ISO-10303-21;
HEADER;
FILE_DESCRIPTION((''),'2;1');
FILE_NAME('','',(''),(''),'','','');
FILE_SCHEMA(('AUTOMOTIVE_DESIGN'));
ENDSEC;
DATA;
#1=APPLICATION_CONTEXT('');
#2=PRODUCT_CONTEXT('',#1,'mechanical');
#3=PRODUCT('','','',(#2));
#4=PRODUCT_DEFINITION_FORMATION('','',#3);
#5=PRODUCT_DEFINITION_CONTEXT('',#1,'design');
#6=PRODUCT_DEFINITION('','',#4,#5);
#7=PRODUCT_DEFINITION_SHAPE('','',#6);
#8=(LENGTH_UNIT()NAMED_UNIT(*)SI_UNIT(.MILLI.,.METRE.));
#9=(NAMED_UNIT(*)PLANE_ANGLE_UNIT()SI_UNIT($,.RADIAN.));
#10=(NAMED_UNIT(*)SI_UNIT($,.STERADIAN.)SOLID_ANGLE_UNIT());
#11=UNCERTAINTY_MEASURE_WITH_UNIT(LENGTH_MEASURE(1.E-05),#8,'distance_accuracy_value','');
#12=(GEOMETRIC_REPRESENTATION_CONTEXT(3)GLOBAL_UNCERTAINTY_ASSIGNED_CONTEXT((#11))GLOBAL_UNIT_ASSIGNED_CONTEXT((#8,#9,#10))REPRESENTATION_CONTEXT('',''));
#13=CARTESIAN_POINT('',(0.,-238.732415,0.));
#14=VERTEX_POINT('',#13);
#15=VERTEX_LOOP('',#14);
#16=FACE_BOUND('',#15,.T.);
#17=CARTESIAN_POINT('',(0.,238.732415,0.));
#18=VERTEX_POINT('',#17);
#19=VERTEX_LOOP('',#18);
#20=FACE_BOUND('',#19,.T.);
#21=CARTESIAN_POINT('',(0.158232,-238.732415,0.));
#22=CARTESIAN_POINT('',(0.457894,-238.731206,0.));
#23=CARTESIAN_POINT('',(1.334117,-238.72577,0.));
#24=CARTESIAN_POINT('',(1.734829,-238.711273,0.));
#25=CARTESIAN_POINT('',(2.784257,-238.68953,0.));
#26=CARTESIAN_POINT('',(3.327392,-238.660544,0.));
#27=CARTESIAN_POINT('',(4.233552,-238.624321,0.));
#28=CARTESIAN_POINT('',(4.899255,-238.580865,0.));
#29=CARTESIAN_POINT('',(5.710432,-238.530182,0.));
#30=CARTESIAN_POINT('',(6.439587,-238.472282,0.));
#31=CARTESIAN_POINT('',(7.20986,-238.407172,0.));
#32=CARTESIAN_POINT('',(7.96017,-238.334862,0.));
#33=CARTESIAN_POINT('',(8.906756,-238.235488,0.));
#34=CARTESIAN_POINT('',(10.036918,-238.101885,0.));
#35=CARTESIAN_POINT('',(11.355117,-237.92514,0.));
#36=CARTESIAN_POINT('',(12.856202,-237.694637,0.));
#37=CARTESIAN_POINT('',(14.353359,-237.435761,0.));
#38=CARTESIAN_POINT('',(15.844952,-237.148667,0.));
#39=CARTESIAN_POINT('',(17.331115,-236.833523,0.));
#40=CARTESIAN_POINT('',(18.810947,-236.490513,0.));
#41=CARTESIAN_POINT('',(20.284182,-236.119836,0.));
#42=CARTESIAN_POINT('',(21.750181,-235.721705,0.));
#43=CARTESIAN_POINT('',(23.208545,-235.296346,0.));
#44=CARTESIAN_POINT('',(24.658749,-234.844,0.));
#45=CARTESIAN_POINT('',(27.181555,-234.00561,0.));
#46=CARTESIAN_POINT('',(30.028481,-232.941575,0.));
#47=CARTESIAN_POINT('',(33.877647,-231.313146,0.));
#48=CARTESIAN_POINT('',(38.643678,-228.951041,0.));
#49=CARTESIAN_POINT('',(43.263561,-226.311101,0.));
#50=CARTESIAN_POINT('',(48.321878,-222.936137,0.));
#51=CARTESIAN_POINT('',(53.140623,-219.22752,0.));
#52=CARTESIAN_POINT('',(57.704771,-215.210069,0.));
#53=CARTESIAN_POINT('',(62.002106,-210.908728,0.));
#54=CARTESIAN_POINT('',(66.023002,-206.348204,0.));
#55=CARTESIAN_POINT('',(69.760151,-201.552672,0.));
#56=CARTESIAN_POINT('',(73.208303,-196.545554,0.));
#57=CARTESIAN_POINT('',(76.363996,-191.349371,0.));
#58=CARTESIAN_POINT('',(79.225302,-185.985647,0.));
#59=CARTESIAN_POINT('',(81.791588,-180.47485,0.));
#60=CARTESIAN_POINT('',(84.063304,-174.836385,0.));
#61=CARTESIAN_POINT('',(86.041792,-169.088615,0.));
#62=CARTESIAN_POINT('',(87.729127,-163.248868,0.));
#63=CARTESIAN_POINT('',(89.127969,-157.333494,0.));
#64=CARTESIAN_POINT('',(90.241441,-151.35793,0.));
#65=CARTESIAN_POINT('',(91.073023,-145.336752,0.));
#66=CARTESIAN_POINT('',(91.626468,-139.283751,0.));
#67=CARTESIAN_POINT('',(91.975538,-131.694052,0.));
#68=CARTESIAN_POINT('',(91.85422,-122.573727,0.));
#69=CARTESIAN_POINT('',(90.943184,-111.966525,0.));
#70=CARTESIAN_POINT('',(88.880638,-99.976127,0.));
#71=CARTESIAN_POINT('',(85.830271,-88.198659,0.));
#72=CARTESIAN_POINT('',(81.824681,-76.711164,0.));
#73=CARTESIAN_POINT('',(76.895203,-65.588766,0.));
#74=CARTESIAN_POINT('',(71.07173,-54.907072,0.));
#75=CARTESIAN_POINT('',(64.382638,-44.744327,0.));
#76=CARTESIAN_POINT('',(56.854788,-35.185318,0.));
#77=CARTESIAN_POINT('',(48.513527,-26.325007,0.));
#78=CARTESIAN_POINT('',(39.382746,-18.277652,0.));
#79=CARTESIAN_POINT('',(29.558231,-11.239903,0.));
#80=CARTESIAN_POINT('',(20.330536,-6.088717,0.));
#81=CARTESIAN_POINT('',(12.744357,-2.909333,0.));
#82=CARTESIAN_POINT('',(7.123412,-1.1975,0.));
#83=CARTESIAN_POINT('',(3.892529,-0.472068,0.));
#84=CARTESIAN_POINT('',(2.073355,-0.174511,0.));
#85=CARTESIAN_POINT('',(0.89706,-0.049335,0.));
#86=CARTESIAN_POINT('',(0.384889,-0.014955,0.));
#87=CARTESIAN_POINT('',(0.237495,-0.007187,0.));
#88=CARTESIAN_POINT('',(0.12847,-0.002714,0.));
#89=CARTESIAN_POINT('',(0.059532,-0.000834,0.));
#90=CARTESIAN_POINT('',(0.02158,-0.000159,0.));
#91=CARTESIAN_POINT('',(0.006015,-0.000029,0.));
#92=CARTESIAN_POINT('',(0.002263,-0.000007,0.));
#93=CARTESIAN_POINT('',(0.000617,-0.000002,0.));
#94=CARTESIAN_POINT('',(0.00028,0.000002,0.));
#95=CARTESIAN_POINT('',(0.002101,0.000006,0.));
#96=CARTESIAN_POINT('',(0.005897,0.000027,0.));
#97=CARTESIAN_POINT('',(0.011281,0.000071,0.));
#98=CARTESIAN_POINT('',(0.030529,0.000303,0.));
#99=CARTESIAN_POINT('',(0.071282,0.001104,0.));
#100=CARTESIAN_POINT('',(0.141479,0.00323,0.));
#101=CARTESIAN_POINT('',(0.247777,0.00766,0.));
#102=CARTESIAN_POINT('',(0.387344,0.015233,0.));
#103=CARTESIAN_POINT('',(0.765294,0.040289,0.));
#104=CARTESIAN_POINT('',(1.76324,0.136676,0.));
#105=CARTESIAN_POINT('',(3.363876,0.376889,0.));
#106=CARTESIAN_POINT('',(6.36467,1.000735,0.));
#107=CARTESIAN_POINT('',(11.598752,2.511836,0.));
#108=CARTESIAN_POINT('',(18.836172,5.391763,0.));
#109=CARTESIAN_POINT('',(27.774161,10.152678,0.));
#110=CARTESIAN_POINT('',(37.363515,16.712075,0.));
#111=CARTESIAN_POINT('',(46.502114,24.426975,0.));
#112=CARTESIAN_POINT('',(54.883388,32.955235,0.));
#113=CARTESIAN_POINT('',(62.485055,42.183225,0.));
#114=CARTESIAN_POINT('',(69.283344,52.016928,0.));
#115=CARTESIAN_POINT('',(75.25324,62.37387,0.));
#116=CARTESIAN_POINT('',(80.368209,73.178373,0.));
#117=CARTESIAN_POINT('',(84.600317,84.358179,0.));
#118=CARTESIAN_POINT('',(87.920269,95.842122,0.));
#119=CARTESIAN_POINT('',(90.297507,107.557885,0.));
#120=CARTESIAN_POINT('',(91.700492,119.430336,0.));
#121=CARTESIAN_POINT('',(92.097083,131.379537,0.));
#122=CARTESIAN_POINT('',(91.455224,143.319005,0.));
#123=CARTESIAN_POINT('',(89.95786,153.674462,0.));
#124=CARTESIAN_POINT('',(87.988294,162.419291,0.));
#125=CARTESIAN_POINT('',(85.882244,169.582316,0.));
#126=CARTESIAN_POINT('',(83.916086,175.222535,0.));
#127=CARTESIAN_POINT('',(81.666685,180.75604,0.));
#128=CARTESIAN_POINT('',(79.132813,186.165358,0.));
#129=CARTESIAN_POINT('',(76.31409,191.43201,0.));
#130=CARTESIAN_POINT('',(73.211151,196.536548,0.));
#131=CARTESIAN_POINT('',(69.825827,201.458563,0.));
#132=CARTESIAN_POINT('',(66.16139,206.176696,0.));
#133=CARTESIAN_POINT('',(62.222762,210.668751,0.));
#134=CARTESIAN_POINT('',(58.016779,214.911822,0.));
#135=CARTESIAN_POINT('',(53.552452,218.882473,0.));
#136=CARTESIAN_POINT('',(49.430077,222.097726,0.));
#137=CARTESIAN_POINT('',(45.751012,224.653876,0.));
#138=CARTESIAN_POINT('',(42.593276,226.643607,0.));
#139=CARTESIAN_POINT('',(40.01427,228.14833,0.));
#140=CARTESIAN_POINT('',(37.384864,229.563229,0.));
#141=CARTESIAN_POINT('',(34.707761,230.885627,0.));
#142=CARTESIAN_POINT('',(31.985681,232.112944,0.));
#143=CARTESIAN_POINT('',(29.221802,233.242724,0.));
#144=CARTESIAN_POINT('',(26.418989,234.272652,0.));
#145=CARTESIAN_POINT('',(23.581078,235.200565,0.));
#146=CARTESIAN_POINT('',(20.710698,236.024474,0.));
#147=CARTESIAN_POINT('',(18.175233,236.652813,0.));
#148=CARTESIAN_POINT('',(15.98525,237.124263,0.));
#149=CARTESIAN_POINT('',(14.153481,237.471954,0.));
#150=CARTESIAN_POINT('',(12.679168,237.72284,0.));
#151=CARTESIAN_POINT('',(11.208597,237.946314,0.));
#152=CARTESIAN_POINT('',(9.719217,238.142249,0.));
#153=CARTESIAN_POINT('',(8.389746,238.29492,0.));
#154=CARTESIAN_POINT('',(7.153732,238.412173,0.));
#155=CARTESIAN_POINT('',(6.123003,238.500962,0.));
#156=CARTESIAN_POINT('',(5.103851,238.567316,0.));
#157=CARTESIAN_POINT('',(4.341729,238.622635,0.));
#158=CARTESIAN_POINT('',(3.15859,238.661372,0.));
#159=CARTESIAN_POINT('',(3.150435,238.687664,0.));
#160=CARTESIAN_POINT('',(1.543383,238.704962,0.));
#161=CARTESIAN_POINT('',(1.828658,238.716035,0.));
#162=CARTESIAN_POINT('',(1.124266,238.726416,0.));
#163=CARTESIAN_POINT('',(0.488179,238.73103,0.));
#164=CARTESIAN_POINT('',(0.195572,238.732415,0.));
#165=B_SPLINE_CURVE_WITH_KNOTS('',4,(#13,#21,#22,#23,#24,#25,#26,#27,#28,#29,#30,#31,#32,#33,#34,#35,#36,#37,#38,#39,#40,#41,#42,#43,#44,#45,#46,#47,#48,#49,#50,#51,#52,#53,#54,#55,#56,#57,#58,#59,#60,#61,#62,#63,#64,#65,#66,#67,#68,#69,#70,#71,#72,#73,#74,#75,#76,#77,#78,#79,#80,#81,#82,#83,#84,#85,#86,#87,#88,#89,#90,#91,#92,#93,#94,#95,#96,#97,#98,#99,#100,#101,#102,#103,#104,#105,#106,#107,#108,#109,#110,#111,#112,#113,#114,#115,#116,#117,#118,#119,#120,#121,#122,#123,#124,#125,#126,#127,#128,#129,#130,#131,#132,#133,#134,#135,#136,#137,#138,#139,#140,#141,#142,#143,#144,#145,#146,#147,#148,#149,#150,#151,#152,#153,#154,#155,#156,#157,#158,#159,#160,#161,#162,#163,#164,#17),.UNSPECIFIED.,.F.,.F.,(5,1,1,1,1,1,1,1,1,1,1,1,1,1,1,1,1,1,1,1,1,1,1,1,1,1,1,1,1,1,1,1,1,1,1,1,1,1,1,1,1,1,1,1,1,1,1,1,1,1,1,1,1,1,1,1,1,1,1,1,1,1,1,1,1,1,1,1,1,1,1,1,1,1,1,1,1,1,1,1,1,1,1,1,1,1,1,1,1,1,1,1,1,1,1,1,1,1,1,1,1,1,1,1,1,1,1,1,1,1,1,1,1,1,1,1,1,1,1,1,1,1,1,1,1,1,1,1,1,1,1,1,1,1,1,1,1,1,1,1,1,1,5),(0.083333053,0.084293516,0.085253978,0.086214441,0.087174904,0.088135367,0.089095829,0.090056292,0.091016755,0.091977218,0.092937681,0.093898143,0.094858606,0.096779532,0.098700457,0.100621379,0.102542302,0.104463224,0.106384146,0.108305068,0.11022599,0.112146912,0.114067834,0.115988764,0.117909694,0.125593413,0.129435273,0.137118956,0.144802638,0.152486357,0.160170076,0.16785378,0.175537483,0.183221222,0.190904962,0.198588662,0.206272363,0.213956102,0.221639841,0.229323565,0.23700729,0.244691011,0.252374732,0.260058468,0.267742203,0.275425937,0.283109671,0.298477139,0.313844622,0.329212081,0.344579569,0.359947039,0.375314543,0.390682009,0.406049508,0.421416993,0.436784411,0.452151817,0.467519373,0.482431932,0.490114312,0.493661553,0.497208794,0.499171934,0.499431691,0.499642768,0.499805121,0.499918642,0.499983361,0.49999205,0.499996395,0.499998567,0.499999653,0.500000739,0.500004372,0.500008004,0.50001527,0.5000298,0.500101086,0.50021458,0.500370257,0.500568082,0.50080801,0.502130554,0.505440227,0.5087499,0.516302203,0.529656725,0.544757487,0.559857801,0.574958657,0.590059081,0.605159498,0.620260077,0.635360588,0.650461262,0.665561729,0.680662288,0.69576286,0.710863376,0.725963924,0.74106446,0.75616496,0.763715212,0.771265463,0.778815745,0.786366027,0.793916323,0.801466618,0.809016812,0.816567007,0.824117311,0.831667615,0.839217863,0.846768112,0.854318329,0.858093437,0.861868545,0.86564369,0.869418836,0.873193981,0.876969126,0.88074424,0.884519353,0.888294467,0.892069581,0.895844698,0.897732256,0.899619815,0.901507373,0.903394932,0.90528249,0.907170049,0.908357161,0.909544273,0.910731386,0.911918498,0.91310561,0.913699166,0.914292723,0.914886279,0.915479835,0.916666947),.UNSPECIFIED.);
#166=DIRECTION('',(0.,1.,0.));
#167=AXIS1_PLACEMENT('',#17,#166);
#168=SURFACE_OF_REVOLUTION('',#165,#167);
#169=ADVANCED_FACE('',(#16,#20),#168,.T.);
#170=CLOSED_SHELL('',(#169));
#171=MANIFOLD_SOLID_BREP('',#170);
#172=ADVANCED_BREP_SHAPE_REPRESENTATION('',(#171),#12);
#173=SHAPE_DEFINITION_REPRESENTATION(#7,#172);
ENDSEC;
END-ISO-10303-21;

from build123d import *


with BuildPart() as part:
    # Sketch → Revolve 2 (revolve)
    with BuildSketch(Plane.XY):
        with BuildLine():
            Line((0, -238.732414638), (0, 238.732414638))
            add(Edge.make_bspline(
                [(0, -238.732414638), (0.158232077, -238.732414638), (0.457894285, -238.731206454), (1.334117241, -238.725769625), (1.734828689, -238.711272515), (2.784257101, -238.689529601), (3.327391603, -238.660544182), (4.233552235, -238.624320653), (4.899254924, -238.580864502), (5.710431999, -238.530182308), (6.439587273, -238.472281735), (7.209860068, -238.407171527), (7.960170326, -238.334861506), (8.906756192, -238.235487824), (10.036917619, -238.101885459), (11.35511682, -237.925140188), (12.856201705, -237.694636601), (14.35335864, -237.435761168), (15.844951617, -237.148667084), (17.331115392, -236.833522986), (18.810947316, -236.49051295), (20.284181817, -236.119835734), (21.750180597, -235.721704634), (23.208545184, -235.296346025), (24.658748895, -234.844000473), (27.181554623, -234.005610229), (30.028480641, -232.941574968), (33.877647352, -231.313146468), (38.643678262, -228.951040666), (43.263561166, -226.311100964), (48.321877745, -222.936136953), (53.140623494, -219.227520162), (57.704770636, -215.210068516), (62.002106448, -210.908728408), (66.023002229, -206.34820432), (69.760150606, -201.55267159), (73.208302609, -196.545553623), (76.363996406, -191.349371223), (79.225302096, -185.985647266), (81.791587919, -180.474849778), (84.063303795, -174.836385458), (86.041791902, -169.088614521), (87.729126693, -163.24886785), (89.12796924, -157.333494347), (90.241441271, -151.357929953), (91.07302349, -145.336752282), (91.626467605, -139.28375109), (91.975538229, -131.694052432), (91.854220286, -122.57372715), (90.94318358, -111.966525473), (88.880638241, -99.976126526), (85.830270711, -88.198658823), (81.824681155, -76.711163807), (76.895202809, -65.588766025), (71.071730211, -54.907072226), (64.382638242, -44.744327002), (56.854788086, -35.185318162), (48.513526697, -26.325007127), (39.382746375, -18.27765176), (29.558231014, -11.239903165), (20.330535609, -6.088717432), (12.744356959, -2.909332584), (7.123412248, -1.197500191), (3.89252896, -0.472067618), (2.073354847, -0.174511201), (0.897060134, -0.049334904), (0.384889492, -0.01495543), (0.237494877, -0.007187224), (0.128470358, -0.002714026), (0.05953241, -0.000834124), (0.021580243, -0.000158546), (0.006014563, -2.8815e-05), (0.002263326, -7.099e-06), (0.000617382, -2.078e-06), (0.000279755, 1.504e-06), (0.002101495, 6.27e-06), (0.005896718, 2.6536e-05), (0.011280533, 7.1356e-05), (0.03052891, 0.000303178), (0.07128192, 0.001104008), (0.141479089, 0.003230096), (0.24777748, 0.007660446), (0.387344121, 0.015233331), (0.765293896, 0.040289232), (1.763239686, 0.136675824), (3.363876167, 0.376889225), (6.364669635, 1.000735296), (11.598751558, 2.511836497), (18.836172109, 5.391762543), (27.774160676, 10.152677885), (37.363515, 16.712075114), (46.502114439, 24.426974972), (54.883388299, 32.95523492), (62.485054599, 42.183225458), (69.283344343, 52.016928437), (75.253240179, 62.373869961), (80.368208592, 73.178372549), (84.600317133, 84.358179263), (87.920268821, 95.842121808), (90.297507074, 107.55788476), (91.700492456, 119.43033589), (92.097083128, 131.379537209), (91.455224234, 143.319005121), (89.957859881, 153.674462156), (87.988294388, 162.41929114), (85.882244431, 169.582315917), (83.916086078, 175.222534781), (81.666685245, 180.756040038), (79.13281253, 186.165357552), (76.314090208, 191.432009653), (73.211150775, 196.53654793), (69.825827462, 201.458562748), (66.161389924, 206.176695653), (62.222761953, 210.668751131), (58.016778902, 214.911821756), (53.552452266, 218.882473277), (49.430077295, 222.097725623), (45.751011746, 224.653876321), (42.59327587, 226.643607308), (40.014270283, 228.148330474), (37.384863679, 229.563229389), (34.707761211, 230.885627234), (31.985680912, 232.112943585), (29.221802141, 233.242724228), (26.418988572, 234.272652025), (23.581078377, 235.200564677), (20.710697992, 236.024473512), (18.175232529, 236.652813301), (15.985249783, 237.12426262), (14.153480676, 237.471954287), (12.679168186, 237.722839922), (11.208596914, 237.946314415), (9.719217015, 238.142249375), (8.389746292, 238.294919882), (7.153731816, 238.412172888), (6.12300284, 238.500961568), (5.103850777, 238.567316177), (4.341729331, 238.622635351), (3.158590285, 238.661371893), (3.150434819, 238.687663655), (1.543383231, 238.704962194), (1.828658325, 238.716035183), (1.124266464, 238.726416156), (0.488179432, 238.731030377), (0.195571604, 238.732414638), (0, 238.732414638)],
                knots=[0.083333053, 0.083333053, 0.083333053, 0.083333053, 0.083333053, 0.084293516, 0.085253978, 0.086214441, 0.087174904, 0.088135367, 0.089095829, 0.090056292, 0.091016755, 0.091977218, 0.092937681, 0.093898143, 0.094858606, 0.096779532, 0.098700457, 0.100621379, 0.102542302, 0.104463224, 0.106384146, 0.108305068, 0.11022599, 0.112146912, 0.114067834, 0.115988764, 0.117909694, 0.125593413, 0.129435273, 0.137118956, 0.144802638, 0.152486357, 0.160170076, 0.16785378, 0.175537483, 0.183221222, 0.190904962, 0.198588662, 0.206272363, 0.213956102, 0.221639841, 0.229323565, 0.23700729, 0.244691011, 0.252374732, 0.260058468, 0.267742203, 0.275425937, 0.283109671, 0.298477139, 0.313844622, 0.329212081, 0.344579569, 0.359947039, 0.375314543, 0.390682009, 0.406049508, 0.421416993, 0.436784411, 0.452151817, 0.467519373, 0.482431932, 0.490114312, 0.493661553, 0.497208794, 0.499171934, 0.499431691, 0.499642768, 0.499805121, 0.499918642, 0.499983361, 0.49999205, 0.499996395, 0.499998567, 0.499999653, 0.500000739, 0.500004372, 0.500008004, 0.50001527, 0.5000298, 0.500101086, 0.50021458, 0.500370257, 0.500568082, 0.50080801, 0.502130554, 0.505440227, 0.5087499, 0.516302203, 0.529656725, 0.544757487, 0.559857801, 0.574958657, 0.590059081, 0.605159498, 0.620260077, 0.635360588, 0.650461262, 0.665561729, 0.680662288, 0.69576286, 0.710863376, 0.725963924, 0.74106446, 0.75616496, 0.763715212, 0.771265463, 0.778815745, 0.786366027, 0.793916323, 0.801466618, 0.809016812, 0.816567007, 0.824117311, 0.831667615, 0.839217863, 0.846768112, 0.854318329, 0.858093437, 0.861868545, 0.86564369, 0.869418836, 0.873193981, 0.876969126, 0.88074424, 0.884519353, 0.888294467, 0.892069581, 0.895844698, 0.897732256, 0.899619815, 0.901507373, 0.903394932, 0.90528249, 0.907170049, 0.908357161, 0.909544273, 0.910731386, 0.911918498, 0.91310561, 0.913699166, 0.914292723, 0.914886279, 0.915479835, 0.916666947, 0.916666947, 0.916666947, 0.916666947, 0.916666947], degree=4))
        make_face()
    revolve(axis=Axis((0, 238.732414638, 0), (0, -1, 0)))


solid = part.part
